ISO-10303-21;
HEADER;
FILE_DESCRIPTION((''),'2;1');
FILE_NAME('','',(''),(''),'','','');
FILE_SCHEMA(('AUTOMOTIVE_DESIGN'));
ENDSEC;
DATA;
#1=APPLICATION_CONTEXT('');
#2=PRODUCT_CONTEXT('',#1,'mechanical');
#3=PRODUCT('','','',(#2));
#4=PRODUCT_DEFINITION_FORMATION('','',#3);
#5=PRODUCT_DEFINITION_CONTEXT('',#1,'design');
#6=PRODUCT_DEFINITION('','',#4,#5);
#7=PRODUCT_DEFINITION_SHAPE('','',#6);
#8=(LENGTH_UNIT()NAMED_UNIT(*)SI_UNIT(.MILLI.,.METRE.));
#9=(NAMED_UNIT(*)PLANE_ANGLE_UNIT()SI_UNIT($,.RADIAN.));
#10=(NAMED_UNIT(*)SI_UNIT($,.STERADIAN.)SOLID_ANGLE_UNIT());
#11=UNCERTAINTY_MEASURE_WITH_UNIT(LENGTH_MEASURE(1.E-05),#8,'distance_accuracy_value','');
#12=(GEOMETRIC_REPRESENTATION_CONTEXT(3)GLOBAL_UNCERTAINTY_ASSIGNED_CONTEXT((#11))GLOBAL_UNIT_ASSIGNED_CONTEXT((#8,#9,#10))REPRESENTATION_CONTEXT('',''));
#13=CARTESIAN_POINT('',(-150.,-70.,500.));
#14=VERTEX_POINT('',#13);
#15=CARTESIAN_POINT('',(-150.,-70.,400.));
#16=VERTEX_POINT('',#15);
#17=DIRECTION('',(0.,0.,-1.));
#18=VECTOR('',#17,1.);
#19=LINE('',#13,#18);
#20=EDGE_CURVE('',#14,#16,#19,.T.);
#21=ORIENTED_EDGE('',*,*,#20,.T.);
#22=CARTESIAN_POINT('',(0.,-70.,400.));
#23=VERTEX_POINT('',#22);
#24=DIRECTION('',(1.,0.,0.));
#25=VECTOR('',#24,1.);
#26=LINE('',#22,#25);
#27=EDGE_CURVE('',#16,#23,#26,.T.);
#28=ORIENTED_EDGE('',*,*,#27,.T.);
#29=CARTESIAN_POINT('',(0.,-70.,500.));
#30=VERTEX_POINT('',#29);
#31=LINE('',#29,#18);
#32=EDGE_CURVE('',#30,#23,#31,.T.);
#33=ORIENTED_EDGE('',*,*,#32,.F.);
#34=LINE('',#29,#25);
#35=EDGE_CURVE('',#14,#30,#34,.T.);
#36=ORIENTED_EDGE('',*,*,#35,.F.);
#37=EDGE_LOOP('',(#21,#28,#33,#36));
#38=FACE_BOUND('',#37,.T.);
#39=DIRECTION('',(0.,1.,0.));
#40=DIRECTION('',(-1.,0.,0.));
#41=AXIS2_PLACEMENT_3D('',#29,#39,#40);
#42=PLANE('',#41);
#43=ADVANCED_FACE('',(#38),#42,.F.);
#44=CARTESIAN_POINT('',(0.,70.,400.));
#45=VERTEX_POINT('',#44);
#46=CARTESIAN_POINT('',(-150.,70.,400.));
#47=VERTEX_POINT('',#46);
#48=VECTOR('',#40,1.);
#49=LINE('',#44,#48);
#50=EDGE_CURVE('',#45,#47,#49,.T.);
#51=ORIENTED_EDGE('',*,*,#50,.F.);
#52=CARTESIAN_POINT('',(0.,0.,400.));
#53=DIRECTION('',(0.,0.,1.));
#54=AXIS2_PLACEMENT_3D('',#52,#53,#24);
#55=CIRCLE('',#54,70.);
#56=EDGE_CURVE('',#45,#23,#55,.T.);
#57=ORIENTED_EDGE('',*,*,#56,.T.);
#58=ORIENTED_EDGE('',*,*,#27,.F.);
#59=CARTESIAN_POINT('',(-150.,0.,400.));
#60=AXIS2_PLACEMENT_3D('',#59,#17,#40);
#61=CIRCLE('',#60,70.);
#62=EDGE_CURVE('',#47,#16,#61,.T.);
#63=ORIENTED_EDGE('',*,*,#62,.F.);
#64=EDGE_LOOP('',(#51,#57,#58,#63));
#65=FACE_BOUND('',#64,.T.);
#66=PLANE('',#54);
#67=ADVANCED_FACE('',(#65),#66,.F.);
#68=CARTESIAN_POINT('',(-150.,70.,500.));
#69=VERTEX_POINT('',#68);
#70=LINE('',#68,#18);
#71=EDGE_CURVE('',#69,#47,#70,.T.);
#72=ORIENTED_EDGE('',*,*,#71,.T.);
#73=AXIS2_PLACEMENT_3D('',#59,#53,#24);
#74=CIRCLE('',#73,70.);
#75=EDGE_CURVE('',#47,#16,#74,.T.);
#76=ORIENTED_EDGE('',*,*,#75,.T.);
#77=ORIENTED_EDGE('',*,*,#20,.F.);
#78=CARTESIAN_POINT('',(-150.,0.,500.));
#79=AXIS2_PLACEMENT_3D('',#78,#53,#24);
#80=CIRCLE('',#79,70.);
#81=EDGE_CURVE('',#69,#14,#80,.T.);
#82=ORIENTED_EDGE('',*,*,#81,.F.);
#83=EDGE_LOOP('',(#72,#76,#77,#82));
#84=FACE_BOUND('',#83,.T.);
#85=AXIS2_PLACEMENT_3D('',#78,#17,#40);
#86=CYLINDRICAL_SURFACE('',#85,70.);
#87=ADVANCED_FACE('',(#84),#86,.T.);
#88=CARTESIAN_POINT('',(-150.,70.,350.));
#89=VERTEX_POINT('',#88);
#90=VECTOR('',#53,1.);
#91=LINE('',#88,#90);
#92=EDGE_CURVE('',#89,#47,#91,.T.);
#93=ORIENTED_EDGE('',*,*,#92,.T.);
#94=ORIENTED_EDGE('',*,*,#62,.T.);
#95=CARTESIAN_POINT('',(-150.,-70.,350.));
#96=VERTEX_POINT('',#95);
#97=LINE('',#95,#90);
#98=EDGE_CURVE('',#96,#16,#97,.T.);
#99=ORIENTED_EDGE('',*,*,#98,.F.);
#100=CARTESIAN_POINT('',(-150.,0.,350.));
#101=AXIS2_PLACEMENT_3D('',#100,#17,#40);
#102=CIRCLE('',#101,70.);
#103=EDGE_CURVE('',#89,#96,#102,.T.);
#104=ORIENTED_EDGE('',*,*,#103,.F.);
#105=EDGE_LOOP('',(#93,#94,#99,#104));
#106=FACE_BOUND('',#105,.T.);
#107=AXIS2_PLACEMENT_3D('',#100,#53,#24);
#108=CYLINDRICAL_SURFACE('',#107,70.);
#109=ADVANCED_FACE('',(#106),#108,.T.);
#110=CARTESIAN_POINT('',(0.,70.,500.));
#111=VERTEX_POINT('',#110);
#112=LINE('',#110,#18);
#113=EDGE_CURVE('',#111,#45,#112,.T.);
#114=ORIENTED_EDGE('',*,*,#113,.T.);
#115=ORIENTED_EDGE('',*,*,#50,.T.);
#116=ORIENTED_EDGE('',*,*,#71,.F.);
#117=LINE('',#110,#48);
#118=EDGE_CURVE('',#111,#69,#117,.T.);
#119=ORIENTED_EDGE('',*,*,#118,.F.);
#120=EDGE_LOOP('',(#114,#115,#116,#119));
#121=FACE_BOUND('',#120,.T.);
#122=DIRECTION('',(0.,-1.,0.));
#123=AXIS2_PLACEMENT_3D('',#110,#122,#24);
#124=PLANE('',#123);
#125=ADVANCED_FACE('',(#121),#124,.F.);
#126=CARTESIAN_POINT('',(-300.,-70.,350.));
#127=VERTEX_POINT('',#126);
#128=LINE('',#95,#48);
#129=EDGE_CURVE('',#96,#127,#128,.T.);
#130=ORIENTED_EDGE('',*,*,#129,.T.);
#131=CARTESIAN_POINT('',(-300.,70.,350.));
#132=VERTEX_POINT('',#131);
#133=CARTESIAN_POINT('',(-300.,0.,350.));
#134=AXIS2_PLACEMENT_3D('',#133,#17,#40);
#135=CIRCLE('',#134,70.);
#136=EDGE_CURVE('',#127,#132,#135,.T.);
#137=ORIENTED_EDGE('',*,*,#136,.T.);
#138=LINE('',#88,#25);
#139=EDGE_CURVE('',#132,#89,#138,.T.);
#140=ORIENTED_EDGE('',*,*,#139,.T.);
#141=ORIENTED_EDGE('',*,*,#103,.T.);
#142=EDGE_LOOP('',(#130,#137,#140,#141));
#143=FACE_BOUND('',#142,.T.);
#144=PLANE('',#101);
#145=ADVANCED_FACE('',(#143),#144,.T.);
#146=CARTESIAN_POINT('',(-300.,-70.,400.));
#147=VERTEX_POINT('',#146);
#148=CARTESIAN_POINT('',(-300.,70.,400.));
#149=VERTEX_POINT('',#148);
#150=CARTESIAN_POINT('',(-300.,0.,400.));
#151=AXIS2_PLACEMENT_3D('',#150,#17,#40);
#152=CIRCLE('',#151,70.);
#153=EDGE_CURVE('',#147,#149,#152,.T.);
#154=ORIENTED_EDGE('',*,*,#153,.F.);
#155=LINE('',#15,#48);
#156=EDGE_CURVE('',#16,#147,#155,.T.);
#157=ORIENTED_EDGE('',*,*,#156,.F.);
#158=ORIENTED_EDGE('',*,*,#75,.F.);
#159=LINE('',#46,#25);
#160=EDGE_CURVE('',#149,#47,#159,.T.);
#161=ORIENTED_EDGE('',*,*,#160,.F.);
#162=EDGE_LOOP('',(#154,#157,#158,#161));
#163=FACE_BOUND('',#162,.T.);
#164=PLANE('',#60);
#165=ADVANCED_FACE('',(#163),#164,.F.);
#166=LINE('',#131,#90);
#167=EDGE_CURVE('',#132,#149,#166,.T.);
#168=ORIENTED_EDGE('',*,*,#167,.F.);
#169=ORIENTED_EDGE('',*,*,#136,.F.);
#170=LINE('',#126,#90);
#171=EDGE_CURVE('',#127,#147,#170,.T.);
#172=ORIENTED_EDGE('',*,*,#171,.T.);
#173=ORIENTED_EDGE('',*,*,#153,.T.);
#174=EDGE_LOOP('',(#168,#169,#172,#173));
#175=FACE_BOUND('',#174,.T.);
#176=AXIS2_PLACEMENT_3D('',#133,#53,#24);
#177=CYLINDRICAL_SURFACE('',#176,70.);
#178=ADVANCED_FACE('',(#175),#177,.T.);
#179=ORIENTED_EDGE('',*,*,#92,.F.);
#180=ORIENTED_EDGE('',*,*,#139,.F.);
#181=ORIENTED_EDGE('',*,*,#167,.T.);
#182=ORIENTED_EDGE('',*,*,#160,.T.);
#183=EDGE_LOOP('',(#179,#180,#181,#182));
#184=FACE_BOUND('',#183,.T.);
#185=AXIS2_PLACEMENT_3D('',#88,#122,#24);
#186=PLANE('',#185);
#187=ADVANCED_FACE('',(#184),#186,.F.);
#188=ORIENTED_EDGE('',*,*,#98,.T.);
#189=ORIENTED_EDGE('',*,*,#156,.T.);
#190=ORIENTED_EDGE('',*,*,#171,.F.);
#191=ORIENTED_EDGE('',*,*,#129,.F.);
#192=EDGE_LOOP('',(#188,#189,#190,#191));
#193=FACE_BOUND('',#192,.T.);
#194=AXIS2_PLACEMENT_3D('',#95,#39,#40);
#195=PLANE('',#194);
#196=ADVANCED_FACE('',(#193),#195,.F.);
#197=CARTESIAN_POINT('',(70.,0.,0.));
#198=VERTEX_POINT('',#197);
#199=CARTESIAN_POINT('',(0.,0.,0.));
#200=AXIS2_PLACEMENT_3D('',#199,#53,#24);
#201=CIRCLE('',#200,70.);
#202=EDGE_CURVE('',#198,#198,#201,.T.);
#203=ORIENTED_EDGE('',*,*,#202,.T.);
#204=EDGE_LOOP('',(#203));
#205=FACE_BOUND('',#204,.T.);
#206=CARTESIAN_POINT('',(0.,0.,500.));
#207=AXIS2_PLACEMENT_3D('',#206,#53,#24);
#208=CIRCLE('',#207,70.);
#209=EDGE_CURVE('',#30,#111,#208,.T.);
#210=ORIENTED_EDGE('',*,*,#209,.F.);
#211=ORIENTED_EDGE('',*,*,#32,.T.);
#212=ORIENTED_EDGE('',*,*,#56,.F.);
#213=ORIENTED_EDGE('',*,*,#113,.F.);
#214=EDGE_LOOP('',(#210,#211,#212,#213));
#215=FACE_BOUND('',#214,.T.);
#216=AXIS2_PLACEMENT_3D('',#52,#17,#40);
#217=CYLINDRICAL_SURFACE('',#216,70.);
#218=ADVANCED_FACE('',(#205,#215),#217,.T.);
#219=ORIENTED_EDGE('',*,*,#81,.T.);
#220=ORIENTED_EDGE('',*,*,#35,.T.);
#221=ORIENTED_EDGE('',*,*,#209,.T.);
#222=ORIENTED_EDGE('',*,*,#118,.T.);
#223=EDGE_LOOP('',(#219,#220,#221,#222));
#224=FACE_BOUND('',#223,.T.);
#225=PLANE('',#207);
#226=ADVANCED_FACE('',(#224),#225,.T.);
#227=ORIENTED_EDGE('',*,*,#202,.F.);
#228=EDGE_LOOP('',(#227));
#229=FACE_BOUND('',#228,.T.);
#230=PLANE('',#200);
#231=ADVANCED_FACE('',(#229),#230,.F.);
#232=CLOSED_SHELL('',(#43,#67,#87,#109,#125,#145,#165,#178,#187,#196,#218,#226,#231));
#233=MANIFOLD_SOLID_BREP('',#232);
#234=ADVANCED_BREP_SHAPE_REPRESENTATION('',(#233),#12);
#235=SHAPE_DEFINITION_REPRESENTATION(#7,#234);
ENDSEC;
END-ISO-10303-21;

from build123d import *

# Parameters (mm, degrees)
SZKIC1_R                    = 70
DODANIE_WYCI_GNI_CIE1_DEPTH = 400
DODANIE_WYCI_GNI_CIE2_DEPTH = 100
DODANIE_WYCI_GNI_CIE3_START = 50
DODANIE_WYCI_GNI_CIE3_DEPTH = 50


with BuildPart() as part:
    # Szkic1 → Dodanie-wyciągnięcie1 (new body)
    with BuildSketch(Plane.XY):
        Circle(SZKIC1_R)
    extrude(amount=DODANIE_WYCI_GNI_CIE1_DEPTH)

    # Szkic2 → Dodanie-wyciągnięcie2 (add)
    with BuildSketch(Plane.XY.offset(400)):
        with BuildLine():
            Line((0, -70), (-150, -70))
            ThreePointArc((-150, -70), (-220, 0), (-150, 70))
            Line((-150, 70), (0, 70))
            ThreePointArc((0, 70), (70, 0), (0, -70))
        make_face()
    extrude(amount=DODANIE_WYCI_GNI_CIE2_DEPTH)

    # Szkic3 → Dodanie-wyciągnięcie3 (add)
    with BuildSketch(Plane(origin=(0, 0, 400), x_dir=(-1, 0, 0), z_dir=(0, 0, -1)).offset(DODANIE_WYCI_GNI_CIE3_START)):
        with BuildLine():
            Line((150, 70), (300, 70))
            ThreePointArc((300, 70), (370, 0), (300, -70))
            Line((300, -70), (150, -70))
            ThreePointArc((150, -70), (80, 0), (150, 70))
        make_face()
    extrude(amount=-DODANIE_WYCI_GNI_CIE3_DEPTH)


solid = part.part
